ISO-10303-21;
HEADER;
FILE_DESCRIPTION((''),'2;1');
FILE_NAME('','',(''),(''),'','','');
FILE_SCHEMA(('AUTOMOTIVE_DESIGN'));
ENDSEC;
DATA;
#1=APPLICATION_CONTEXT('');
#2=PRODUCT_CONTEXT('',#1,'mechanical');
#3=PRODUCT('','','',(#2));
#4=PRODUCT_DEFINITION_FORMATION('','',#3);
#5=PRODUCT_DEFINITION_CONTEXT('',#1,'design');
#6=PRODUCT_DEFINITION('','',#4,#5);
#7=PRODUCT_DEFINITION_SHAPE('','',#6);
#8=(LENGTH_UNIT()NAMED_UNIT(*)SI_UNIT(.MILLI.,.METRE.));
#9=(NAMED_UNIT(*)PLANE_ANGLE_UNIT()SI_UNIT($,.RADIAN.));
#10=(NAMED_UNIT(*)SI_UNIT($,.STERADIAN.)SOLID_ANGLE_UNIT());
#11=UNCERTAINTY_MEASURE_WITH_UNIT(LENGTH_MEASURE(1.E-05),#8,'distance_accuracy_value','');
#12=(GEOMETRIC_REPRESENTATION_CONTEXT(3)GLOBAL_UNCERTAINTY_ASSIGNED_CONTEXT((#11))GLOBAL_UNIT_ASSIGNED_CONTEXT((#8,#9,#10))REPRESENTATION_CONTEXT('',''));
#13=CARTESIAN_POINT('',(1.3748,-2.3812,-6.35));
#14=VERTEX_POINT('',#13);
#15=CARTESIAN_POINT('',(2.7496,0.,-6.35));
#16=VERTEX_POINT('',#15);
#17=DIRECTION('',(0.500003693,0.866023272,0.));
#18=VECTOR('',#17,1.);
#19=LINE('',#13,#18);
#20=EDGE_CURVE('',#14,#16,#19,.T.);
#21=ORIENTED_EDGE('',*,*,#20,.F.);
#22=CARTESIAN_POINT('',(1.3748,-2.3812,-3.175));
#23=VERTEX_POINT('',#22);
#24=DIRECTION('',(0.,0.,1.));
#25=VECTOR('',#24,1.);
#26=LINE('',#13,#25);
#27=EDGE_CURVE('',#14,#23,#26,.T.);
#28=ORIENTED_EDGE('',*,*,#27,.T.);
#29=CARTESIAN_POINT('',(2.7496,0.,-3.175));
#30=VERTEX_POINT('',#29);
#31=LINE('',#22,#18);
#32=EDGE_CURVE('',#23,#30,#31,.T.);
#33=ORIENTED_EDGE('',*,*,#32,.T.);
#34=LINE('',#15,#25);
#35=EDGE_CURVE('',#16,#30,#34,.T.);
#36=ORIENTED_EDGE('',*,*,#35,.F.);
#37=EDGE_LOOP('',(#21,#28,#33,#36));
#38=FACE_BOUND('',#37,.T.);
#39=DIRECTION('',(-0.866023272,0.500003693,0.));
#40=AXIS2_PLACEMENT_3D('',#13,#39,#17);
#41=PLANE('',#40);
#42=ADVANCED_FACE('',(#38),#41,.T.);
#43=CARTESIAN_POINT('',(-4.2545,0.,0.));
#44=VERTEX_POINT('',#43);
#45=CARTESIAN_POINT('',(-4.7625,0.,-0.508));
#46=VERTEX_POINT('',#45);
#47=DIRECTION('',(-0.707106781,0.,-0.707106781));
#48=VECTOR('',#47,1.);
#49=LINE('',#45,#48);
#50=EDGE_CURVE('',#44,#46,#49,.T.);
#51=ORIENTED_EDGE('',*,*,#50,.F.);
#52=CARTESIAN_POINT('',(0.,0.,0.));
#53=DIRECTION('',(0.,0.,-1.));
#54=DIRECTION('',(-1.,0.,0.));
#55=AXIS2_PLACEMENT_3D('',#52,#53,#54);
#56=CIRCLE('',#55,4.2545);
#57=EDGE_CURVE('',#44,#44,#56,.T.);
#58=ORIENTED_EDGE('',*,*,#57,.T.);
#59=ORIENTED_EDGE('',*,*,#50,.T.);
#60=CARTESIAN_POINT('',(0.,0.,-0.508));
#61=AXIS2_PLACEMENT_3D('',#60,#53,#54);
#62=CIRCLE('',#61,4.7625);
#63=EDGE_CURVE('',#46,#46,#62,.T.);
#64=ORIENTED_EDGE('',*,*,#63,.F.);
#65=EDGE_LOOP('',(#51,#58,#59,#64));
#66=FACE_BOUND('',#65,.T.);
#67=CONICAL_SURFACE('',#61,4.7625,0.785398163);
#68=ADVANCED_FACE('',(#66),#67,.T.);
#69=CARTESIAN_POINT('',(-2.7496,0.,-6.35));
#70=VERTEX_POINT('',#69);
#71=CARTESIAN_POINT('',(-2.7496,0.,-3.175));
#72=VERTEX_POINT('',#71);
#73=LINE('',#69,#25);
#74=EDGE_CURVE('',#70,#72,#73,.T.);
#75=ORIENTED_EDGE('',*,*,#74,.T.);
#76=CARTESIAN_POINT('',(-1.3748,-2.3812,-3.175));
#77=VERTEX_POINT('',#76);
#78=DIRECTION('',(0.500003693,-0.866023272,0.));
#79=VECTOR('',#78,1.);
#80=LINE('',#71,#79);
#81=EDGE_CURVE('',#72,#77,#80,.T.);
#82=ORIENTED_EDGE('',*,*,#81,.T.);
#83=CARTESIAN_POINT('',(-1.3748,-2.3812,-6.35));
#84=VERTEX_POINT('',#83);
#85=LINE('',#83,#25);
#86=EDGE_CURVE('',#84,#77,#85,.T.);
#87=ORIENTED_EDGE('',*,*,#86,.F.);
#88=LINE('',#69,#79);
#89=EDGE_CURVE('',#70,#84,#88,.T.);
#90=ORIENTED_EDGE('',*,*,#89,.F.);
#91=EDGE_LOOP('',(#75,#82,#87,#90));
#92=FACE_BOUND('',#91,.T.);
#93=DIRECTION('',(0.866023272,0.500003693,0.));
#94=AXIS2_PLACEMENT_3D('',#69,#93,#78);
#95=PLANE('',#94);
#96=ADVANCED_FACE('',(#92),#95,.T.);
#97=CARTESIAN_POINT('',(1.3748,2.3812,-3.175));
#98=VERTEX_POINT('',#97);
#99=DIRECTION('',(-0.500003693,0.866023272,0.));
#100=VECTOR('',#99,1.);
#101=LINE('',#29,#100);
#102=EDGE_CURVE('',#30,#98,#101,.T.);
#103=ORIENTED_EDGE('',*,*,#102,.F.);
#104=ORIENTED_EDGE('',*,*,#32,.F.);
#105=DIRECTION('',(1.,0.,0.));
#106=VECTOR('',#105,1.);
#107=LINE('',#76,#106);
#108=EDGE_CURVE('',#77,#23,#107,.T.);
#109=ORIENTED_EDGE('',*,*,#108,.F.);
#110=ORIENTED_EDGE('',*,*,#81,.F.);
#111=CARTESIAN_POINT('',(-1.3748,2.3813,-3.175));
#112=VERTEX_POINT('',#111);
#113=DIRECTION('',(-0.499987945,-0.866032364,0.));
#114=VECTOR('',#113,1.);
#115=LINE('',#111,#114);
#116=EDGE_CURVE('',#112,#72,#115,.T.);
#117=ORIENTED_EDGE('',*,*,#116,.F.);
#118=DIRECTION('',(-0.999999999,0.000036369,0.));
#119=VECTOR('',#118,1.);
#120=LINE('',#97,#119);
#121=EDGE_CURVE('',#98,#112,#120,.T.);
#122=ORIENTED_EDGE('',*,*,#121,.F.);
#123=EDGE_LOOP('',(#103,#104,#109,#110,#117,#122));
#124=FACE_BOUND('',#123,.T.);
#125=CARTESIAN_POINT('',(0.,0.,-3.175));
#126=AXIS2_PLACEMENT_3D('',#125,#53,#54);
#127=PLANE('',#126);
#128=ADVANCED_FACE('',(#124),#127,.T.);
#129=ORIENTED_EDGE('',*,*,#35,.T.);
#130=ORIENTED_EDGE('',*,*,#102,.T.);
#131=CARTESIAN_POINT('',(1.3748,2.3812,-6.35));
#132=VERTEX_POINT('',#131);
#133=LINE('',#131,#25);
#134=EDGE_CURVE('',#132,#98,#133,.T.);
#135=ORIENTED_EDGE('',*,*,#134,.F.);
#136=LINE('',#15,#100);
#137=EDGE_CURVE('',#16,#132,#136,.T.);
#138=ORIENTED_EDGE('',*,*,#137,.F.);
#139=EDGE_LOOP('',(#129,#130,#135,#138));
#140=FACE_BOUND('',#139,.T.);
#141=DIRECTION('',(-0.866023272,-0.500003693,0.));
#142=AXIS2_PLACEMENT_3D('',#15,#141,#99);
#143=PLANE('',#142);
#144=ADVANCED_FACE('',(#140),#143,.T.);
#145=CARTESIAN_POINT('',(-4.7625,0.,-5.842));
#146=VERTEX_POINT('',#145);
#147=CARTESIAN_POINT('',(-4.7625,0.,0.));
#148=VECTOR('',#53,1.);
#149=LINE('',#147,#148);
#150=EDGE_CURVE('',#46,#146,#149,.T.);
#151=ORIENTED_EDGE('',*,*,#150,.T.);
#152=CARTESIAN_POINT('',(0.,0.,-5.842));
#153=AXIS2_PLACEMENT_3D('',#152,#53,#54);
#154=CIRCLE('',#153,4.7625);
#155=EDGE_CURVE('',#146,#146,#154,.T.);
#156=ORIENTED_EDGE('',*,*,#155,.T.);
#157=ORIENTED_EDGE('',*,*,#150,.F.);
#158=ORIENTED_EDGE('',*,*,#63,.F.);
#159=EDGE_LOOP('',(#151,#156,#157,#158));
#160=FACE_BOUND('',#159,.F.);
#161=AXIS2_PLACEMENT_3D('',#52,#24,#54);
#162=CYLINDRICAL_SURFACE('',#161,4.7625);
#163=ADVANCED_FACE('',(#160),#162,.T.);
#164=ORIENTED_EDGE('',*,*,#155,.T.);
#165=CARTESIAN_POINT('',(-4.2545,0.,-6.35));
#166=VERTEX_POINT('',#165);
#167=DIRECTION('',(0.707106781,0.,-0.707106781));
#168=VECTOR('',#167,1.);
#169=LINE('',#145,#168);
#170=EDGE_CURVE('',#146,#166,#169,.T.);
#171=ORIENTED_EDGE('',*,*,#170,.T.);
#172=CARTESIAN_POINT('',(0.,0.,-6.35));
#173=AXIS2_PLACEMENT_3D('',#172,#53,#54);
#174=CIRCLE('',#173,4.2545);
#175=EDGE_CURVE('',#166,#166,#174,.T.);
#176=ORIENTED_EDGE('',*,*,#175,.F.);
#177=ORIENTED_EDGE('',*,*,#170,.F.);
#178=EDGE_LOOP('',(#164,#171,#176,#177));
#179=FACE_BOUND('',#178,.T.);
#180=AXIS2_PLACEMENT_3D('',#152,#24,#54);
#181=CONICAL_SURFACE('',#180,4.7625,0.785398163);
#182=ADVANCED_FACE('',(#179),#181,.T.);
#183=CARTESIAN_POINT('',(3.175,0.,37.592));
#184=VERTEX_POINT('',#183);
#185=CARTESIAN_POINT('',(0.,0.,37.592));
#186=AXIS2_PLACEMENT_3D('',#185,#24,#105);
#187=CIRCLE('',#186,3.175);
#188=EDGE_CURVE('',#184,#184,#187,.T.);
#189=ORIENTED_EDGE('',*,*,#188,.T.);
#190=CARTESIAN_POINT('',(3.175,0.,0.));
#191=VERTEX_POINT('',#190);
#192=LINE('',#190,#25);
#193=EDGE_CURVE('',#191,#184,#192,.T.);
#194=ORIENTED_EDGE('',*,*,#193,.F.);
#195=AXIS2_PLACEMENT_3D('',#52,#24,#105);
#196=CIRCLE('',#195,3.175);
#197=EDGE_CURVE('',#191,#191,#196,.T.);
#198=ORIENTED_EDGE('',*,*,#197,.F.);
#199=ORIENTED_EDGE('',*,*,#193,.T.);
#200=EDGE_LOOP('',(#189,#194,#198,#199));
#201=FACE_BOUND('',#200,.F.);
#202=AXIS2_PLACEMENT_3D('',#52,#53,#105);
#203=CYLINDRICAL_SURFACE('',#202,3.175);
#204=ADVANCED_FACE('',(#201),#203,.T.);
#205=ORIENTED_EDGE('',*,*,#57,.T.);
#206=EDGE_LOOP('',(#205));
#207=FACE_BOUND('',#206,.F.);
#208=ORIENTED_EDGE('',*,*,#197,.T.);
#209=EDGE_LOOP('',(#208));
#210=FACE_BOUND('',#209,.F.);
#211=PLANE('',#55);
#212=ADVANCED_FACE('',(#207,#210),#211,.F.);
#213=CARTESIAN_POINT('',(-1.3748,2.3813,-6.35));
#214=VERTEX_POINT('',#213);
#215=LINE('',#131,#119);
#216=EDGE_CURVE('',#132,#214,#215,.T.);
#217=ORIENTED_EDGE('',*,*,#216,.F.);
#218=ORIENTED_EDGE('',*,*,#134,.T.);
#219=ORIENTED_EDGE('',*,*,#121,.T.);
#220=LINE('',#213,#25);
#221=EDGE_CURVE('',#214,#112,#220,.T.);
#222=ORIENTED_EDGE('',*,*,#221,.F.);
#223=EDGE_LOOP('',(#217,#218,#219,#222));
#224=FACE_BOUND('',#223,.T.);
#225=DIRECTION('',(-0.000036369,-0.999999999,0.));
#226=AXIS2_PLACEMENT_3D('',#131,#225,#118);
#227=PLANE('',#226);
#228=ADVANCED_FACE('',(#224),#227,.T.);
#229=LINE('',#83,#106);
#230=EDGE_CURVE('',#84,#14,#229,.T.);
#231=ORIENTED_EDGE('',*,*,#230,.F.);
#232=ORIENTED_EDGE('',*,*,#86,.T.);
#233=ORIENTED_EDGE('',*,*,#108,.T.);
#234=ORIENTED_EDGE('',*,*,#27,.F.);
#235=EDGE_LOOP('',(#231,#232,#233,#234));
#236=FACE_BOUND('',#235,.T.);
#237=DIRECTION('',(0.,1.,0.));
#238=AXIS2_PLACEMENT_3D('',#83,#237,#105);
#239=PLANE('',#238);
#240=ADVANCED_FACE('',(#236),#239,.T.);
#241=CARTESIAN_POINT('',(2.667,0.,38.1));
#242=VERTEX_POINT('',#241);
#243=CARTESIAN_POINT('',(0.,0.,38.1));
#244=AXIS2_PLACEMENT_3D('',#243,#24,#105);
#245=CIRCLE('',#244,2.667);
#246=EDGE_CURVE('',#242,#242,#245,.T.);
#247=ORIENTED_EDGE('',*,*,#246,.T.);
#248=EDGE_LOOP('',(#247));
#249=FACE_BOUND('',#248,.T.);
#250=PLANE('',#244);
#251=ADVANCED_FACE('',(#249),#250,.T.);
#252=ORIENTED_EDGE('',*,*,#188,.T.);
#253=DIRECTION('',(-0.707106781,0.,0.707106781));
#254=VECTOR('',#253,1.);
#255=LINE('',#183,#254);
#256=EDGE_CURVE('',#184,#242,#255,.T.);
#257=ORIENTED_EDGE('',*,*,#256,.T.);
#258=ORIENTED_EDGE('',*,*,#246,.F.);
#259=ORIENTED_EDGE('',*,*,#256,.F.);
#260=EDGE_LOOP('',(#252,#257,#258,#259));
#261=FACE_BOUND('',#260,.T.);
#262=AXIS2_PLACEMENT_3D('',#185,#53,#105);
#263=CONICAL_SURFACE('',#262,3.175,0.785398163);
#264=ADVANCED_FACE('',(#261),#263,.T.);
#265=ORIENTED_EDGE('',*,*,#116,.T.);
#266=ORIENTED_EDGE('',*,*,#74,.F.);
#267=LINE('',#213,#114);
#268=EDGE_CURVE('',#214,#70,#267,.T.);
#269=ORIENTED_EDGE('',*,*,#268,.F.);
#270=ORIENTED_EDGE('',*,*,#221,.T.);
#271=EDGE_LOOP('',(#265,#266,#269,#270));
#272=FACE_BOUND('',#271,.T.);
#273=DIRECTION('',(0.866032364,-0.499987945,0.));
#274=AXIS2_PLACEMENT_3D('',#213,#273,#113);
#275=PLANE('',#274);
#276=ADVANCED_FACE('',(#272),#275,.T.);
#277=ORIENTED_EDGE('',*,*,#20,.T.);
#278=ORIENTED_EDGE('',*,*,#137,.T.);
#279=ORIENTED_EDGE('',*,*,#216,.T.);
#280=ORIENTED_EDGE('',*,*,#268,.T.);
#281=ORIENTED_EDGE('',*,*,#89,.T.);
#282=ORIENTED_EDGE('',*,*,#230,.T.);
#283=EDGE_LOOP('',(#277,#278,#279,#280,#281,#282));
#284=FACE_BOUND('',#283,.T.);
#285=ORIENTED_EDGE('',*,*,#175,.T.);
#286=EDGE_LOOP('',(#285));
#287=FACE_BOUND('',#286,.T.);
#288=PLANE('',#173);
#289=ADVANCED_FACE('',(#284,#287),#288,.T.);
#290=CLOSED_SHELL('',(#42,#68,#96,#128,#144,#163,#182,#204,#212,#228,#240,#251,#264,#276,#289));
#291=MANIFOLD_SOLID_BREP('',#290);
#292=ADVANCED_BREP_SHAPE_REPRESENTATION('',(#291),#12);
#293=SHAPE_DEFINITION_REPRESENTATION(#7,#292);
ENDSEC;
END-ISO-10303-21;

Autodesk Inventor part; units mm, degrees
ref_plane "YZ Plane" through (0, 0, 0) normal (1, 0, 0) x (0, 1, 0)
ref_plane "XZ Plane" through (0, 0, 0) normal (0, 1, 0) x (-1, 0, 0)
ref_plane "XY Plane" through (0, 0, 0) normal (0, 0, 1) x (1, 0, 0)
sketch "Sketch1" plane through (0, 0, 0) normal (0, 0, 1) x (1, 0, 0)
  circle A0 centre (0, 0) radius 3.175
  dimension "d0" = 6.35
extrude "Extrusion1" add sketch "Sketch1" along normal blind 38.1
sketch "Sketch2" plane through (0, 0, 0) normal (0, 0, -1) x (-1, 0, 0)
  circle A0 centre (0, 0) radius 3.175 projected
  circle A1 centre (0, 0) radius 4.7625
  dimension "d3" = 9.525
extrude "Extrusion2" add sketch "Sketch2" along normal blind 6.35 contours A0 | A1
sketch "Sketch3" plane through (0, 0, -6.35) normal (0, 0, -1) x (-1, 0, 0)
  circle A0 centre (0, 0) radius 4.7625 projected
  line L0 (-1.3748, 2.3812) -> (1.3748, 2.3813)
  line L1 (1.3748, 2.3813) -> (2.7496, 0)
  line L2 (2.7496, 0) -> (1.3748, -2.3812)
  line L3 (1.3748, -2.3812) -> (-1.3748, -2.3812)
  line L4 (-1.3748, -2.3812) -> (-2.7496, 0)
  line L5 (-2.7496, 0) -> (-1.3748, 2.3812)
  dimension "d6" = 4.7625
extrude "Extrusion3" cut sketch "Sketch3" against normal blind 3.175 contours L0 L1 L2 L3 L4 L5
chamfer "Chamfer1" distance 0.508 angle 45 3 edges at (-3.175, 0, 38.1) (4.7625, 0, 0) (4.7625, 0, -6.35)
thread "Thread1" size "1/4-20 UNC" class "2A" standard "ANSI Unified Screw Threads" length 25.4
properties part number "14-20 x750" material "Steel"
